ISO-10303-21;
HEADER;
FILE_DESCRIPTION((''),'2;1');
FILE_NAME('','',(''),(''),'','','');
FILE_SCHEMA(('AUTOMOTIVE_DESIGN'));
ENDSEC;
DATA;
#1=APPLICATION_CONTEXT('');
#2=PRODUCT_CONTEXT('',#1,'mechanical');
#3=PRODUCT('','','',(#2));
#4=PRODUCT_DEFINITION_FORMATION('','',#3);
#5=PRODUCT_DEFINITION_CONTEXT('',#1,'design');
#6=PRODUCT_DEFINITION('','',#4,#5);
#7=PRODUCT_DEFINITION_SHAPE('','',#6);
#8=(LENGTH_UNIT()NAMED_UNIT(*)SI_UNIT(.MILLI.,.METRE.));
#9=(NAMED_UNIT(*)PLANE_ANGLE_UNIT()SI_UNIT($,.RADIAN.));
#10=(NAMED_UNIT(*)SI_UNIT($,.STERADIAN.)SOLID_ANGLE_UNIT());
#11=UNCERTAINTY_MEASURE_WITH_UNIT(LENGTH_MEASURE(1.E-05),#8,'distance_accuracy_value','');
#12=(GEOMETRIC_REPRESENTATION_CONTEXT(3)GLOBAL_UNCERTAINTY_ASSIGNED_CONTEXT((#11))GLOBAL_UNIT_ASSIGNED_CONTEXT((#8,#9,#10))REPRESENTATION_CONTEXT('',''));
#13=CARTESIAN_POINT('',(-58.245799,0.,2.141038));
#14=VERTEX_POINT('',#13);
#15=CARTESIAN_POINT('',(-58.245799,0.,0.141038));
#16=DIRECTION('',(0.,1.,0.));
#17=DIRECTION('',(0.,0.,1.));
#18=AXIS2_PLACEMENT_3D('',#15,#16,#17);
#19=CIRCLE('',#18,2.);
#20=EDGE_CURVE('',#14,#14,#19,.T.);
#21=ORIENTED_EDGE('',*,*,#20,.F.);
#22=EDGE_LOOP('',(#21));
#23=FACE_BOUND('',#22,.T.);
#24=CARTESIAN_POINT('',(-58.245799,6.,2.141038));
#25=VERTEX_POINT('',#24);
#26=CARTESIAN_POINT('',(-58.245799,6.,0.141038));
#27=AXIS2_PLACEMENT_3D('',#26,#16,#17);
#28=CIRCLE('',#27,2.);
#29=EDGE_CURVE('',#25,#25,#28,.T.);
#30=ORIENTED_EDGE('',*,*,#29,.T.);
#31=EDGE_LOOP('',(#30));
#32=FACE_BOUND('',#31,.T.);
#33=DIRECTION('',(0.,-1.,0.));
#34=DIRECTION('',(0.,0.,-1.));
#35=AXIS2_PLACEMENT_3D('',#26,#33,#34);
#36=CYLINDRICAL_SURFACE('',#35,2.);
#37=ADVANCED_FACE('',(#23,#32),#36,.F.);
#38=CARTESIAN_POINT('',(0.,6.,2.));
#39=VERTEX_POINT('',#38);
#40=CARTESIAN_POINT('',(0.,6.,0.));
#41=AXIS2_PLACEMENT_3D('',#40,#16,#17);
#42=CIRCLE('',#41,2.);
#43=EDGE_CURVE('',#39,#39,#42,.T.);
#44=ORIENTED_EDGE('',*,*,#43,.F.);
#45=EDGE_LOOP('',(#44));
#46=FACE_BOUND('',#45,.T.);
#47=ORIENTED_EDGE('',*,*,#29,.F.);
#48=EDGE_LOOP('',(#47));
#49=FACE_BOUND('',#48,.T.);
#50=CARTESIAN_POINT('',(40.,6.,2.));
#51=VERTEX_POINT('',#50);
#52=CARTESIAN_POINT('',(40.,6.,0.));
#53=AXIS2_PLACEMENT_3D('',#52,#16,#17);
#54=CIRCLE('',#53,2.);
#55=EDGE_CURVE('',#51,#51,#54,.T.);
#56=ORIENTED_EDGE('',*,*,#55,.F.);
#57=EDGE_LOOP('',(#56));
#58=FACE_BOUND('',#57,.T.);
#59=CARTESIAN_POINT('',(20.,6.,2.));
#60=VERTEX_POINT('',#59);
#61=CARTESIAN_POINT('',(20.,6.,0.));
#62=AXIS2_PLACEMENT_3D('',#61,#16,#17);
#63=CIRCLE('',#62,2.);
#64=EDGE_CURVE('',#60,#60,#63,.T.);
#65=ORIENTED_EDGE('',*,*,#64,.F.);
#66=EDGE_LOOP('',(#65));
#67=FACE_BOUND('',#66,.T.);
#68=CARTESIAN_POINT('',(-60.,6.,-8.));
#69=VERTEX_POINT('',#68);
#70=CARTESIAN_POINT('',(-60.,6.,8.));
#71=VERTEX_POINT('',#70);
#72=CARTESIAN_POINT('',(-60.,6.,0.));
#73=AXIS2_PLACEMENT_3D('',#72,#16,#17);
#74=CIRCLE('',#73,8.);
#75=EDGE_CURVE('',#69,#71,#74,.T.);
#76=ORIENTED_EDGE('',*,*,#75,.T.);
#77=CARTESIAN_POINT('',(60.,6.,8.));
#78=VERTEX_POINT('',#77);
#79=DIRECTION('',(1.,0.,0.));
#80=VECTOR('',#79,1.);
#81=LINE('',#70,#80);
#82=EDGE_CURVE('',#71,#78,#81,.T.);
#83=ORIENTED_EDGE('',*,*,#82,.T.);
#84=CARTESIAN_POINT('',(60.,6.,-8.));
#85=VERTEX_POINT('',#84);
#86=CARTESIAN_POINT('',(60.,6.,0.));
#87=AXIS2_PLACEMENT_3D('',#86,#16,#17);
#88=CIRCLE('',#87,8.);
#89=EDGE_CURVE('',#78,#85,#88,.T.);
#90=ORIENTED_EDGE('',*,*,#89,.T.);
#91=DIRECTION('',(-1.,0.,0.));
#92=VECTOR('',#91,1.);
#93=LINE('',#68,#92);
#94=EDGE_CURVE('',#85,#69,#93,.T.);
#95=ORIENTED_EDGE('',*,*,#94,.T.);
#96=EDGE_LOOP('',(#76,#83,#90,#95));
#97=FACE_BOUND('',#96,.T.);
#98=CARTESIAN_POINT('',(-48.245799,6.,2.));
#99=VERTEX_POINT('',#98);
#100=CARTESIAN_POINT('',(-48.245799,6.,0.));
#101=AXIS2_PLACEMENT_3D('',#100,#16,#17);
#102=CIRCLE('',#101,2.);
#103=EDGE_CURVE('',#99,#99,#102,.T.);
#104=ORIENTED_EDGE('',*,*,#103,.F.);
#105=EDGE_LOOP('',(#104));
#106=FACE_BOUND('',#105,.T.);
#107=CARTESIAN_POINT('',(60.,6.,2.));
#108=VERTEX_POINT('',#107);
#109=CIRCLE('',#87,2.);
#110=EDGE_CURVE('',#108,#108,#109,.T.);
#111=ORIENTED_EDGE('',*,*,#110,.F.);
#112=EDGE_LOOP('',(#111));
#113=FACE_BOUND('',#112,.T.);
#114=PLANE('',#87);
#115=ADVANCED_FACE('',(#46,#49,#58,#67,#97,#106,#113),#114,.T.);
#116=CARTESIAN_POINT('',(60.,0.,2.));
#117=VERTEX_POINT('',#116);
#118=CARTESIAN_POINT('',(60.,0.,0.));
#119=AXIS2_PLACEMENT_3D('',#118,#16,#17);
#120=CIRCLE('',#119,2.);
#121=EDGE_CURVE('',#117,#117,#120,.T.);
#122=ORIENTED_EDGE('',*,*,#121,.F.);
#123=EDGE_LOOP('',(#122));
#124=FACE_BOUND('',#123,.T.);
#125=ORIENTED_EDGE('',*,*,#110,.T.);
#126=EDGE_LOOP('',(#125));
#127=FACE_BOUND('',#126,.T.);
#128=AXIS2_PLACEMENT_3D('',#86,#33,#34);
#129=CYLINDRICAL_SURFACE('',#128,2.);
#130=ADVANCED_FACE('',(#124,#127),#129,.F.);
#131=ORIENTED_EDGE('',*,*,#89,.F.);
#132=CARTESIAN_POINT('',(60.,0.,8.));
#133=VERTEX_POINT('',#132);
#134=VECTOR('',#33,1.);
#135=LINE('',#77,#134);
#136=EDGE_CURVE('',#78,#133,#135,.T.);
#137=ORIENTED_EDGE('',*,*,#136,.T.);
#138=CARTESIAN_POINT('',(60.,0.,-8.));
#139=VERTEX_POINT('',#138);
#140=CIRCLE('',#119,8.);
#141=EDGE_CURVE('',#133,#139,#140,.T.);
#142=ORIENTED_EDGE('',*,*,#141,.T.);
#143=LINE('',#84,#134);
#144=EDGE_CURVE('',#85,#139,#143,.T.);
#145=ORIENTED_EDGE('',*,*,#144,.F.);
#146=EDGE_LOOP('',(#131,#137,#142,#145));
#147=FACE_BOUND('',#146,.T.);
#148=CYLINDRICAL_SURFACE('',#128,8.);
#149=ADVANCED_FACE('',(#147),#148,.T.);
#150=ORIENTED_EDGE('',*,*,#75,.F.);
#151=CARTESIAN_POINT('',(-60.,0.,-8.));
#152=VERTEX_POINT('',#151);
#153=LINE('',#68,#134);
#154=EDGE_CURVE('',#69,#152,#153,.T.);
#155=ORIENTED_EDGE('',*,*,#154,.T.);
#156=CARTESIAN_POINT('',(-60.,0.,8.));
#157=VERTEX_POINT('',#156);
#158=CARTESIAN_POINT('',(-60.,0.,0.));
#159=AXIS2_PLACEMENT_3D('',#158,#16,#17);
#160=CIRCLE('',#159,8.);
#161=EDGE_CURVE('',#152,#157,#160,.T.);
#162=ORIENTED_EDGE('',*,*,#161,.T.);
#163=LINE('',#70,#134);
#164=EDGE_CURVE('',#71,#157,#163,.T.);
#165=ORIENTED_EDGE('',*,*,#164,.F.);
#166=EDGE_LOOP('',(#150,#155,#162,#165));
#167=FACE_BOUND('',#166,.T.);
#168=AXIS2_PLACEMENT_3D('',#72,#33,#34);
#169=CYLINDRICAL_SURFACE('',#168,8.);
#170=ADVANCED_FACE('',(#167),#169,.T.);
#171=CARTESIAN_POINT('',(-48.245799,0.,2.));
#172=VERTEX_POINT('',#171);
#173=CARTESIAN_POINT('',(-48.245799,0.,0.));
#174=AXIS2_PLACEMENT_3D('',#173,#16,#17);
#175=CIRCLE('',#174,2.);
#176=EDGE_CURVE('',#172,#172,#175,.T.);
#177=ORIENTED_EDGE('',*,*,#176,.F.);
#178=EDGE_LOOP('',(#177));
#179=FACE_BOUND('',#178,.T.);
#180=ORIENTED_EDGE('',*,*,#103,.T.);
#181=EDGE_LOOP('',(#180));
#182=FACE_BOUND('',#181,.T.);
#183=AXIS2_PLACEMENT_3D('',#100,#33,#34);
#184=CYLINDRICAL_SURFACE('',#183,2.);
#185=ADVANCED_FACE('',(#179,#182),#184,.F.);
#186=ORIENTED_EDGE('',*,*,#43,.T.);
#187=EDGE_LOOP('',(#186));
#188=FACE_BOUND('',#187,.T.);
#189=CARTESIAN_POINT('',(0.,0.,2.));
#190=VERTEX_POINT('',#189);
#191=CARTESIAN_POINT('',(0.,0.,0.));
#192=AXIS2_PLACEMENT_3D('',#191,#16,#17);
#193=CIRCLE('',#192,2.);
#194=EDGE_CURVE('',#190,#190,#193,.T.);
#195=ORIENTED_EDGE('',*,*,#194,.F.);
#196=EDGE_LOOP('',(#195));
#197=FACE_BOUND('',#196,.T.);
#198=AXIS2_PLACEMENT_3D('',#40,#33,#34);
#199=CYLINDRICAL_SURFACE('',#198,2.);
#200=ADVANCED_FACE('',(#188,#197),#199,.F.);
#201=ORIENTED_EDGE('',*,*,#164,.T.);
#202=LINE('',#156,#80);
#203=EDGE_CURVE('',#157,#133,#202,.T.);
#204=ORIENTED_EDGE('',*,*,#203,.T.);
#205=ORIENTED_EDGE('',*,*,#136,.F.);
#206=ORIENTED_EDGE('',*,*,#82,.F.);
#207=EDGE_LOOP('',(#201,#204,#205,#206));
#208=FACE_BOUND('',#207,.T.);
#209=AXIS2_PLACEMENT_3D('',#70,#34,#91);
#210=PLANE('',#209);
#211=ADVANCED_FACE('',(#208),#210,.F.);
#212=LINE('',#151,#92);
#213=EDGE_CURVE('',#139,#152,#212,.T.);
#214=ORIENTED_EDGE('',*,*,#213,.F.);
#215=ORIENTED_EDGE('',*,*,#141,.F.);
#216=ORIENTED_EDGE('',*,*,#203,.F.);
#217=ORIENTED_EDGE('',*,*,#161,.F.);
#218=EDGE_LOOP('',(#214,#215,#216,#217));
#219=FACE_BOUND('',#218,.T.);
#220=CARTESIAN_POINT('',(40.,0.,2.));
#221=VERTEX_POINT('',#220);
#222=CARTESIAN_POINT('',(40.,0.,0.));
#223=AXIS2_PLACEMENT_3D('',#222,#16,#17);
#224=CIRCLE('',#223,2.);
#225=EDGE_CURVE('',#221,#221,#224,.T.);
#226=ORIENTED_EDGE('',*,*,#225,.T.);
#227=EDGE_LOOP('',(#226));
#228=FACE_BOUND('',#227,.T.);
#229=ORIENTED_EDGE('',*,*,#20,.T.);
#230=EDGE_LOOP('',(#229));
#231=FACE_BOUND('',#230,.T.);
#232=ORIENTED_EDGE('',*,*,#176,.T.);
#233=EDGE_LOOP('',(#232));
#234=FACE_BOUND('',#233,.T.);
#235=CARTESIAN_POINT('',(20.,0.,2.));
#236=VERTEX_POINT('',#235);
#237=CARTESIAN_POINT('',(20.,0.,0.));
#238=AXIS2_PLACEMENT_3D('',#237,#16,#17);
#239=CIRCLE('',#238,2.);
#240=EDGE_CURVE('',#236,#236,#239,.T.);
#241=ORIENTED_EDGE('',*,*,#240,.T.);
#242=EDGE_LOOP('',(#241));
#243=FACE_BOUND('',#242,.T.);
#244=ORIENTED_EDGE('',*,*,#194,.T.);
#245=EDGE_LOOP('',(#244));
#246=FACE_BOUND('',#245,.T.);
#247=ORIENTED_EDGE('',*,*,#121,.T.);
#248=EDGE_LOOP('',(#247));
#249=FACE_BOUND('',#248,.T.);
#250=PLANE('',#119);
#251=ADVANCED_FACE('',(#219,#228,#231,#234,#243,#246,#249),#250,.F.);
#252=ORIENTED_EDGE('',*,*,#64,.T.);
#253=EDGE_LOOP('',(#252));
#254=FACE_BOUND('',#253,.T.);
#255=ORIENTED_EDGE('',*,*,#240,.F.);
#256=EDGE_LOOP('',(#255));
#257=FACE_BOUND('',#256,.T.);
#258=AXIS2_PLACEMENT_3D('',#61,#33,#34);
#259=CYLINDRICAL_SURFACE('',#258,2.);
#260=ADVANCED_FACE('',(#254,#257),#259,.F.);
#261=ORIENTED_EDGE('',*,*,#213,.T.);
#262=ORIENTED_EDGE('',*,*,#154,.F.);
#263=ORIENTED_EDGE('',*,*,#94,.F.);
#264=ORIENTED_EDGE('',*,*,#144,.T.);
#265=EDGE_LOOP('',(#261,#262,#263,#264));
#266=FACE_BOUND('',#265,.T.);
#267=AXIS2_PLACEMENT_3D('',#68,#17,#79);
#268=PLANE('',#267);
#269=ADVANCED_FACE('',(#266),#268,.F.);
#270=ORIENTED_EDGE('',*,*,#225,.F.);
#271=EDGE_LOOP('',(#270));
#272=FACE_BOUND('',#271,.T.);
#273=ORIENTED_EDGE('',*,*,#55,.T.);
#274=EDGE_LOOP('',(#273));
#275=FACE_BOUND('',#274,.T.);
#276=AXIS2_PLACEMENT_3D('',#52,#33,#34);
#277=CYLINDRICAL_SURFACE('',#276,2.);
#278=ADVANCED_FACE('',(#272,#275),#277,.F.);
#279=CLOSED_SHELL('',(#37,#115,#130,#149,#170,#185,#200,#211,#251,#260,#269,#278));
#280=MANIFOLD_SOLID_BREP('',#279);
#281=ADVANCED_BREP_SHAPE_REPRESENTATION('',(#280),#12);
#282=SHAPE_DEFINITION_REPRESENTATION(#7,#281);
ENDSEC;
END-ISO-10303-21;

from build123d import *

# Parameters (mm, degrees)
SKETCH1_R           = 2
BOSS_EXTRUDE1_DEPTH = 6


with BuildPart() as part:
    # Sketch1 → Boss-Extrude1 (new body)
    with BuildSketch(Plane(origin=(0, 0, 0), x_dir=(1, 0, 0), z_dir=(0, 1, 0))):
        with BuildLine():
            Line((-60, -8), (60, -8))
            ThreePointArc((60, -8), (68, 0), (60, 8))
            Line((60, 8), (-60, 8))
            ThreePointArc((-60, 8), (-68, 0), (-60, -8))
        make_face()
        with Locations(Location((-58.245798805, -0.141038117, 0), (0, 0, 270))):
            Circle(SKETCH1_R, mode=Mode.SUBTRACT)
        with Locations(Location((60, 0, 0), (0, 0, 270))):
            Circle(SKETCH1_R, mode=Mode.SUBTRACT)
        with Locations(Location((20, 0, 0), (0, 0, 270))):
            Circle(SKETCH1_R, mode=Mode.SUBTRACT)
        with Locations(Location((-48.245798805, 0, 0), (0, 0, 270))):
            Circle(SKETCH1_R, mode=Mode.SUBTRACT)
        with Locations(Location((40, 0, 0), (0, 0, 270))):
            Circle(SKETCH1_R, mode=Mode.SUBTRACT)
        with Locations(Location((0, 0, 0), (0, 0, 270))):
            Circle(SKETCH1_R, mode=Mode.SUBTRACT)
    extrude(amount=BOSS_EXTRUDE1_DEPTH)


solid = part.part
